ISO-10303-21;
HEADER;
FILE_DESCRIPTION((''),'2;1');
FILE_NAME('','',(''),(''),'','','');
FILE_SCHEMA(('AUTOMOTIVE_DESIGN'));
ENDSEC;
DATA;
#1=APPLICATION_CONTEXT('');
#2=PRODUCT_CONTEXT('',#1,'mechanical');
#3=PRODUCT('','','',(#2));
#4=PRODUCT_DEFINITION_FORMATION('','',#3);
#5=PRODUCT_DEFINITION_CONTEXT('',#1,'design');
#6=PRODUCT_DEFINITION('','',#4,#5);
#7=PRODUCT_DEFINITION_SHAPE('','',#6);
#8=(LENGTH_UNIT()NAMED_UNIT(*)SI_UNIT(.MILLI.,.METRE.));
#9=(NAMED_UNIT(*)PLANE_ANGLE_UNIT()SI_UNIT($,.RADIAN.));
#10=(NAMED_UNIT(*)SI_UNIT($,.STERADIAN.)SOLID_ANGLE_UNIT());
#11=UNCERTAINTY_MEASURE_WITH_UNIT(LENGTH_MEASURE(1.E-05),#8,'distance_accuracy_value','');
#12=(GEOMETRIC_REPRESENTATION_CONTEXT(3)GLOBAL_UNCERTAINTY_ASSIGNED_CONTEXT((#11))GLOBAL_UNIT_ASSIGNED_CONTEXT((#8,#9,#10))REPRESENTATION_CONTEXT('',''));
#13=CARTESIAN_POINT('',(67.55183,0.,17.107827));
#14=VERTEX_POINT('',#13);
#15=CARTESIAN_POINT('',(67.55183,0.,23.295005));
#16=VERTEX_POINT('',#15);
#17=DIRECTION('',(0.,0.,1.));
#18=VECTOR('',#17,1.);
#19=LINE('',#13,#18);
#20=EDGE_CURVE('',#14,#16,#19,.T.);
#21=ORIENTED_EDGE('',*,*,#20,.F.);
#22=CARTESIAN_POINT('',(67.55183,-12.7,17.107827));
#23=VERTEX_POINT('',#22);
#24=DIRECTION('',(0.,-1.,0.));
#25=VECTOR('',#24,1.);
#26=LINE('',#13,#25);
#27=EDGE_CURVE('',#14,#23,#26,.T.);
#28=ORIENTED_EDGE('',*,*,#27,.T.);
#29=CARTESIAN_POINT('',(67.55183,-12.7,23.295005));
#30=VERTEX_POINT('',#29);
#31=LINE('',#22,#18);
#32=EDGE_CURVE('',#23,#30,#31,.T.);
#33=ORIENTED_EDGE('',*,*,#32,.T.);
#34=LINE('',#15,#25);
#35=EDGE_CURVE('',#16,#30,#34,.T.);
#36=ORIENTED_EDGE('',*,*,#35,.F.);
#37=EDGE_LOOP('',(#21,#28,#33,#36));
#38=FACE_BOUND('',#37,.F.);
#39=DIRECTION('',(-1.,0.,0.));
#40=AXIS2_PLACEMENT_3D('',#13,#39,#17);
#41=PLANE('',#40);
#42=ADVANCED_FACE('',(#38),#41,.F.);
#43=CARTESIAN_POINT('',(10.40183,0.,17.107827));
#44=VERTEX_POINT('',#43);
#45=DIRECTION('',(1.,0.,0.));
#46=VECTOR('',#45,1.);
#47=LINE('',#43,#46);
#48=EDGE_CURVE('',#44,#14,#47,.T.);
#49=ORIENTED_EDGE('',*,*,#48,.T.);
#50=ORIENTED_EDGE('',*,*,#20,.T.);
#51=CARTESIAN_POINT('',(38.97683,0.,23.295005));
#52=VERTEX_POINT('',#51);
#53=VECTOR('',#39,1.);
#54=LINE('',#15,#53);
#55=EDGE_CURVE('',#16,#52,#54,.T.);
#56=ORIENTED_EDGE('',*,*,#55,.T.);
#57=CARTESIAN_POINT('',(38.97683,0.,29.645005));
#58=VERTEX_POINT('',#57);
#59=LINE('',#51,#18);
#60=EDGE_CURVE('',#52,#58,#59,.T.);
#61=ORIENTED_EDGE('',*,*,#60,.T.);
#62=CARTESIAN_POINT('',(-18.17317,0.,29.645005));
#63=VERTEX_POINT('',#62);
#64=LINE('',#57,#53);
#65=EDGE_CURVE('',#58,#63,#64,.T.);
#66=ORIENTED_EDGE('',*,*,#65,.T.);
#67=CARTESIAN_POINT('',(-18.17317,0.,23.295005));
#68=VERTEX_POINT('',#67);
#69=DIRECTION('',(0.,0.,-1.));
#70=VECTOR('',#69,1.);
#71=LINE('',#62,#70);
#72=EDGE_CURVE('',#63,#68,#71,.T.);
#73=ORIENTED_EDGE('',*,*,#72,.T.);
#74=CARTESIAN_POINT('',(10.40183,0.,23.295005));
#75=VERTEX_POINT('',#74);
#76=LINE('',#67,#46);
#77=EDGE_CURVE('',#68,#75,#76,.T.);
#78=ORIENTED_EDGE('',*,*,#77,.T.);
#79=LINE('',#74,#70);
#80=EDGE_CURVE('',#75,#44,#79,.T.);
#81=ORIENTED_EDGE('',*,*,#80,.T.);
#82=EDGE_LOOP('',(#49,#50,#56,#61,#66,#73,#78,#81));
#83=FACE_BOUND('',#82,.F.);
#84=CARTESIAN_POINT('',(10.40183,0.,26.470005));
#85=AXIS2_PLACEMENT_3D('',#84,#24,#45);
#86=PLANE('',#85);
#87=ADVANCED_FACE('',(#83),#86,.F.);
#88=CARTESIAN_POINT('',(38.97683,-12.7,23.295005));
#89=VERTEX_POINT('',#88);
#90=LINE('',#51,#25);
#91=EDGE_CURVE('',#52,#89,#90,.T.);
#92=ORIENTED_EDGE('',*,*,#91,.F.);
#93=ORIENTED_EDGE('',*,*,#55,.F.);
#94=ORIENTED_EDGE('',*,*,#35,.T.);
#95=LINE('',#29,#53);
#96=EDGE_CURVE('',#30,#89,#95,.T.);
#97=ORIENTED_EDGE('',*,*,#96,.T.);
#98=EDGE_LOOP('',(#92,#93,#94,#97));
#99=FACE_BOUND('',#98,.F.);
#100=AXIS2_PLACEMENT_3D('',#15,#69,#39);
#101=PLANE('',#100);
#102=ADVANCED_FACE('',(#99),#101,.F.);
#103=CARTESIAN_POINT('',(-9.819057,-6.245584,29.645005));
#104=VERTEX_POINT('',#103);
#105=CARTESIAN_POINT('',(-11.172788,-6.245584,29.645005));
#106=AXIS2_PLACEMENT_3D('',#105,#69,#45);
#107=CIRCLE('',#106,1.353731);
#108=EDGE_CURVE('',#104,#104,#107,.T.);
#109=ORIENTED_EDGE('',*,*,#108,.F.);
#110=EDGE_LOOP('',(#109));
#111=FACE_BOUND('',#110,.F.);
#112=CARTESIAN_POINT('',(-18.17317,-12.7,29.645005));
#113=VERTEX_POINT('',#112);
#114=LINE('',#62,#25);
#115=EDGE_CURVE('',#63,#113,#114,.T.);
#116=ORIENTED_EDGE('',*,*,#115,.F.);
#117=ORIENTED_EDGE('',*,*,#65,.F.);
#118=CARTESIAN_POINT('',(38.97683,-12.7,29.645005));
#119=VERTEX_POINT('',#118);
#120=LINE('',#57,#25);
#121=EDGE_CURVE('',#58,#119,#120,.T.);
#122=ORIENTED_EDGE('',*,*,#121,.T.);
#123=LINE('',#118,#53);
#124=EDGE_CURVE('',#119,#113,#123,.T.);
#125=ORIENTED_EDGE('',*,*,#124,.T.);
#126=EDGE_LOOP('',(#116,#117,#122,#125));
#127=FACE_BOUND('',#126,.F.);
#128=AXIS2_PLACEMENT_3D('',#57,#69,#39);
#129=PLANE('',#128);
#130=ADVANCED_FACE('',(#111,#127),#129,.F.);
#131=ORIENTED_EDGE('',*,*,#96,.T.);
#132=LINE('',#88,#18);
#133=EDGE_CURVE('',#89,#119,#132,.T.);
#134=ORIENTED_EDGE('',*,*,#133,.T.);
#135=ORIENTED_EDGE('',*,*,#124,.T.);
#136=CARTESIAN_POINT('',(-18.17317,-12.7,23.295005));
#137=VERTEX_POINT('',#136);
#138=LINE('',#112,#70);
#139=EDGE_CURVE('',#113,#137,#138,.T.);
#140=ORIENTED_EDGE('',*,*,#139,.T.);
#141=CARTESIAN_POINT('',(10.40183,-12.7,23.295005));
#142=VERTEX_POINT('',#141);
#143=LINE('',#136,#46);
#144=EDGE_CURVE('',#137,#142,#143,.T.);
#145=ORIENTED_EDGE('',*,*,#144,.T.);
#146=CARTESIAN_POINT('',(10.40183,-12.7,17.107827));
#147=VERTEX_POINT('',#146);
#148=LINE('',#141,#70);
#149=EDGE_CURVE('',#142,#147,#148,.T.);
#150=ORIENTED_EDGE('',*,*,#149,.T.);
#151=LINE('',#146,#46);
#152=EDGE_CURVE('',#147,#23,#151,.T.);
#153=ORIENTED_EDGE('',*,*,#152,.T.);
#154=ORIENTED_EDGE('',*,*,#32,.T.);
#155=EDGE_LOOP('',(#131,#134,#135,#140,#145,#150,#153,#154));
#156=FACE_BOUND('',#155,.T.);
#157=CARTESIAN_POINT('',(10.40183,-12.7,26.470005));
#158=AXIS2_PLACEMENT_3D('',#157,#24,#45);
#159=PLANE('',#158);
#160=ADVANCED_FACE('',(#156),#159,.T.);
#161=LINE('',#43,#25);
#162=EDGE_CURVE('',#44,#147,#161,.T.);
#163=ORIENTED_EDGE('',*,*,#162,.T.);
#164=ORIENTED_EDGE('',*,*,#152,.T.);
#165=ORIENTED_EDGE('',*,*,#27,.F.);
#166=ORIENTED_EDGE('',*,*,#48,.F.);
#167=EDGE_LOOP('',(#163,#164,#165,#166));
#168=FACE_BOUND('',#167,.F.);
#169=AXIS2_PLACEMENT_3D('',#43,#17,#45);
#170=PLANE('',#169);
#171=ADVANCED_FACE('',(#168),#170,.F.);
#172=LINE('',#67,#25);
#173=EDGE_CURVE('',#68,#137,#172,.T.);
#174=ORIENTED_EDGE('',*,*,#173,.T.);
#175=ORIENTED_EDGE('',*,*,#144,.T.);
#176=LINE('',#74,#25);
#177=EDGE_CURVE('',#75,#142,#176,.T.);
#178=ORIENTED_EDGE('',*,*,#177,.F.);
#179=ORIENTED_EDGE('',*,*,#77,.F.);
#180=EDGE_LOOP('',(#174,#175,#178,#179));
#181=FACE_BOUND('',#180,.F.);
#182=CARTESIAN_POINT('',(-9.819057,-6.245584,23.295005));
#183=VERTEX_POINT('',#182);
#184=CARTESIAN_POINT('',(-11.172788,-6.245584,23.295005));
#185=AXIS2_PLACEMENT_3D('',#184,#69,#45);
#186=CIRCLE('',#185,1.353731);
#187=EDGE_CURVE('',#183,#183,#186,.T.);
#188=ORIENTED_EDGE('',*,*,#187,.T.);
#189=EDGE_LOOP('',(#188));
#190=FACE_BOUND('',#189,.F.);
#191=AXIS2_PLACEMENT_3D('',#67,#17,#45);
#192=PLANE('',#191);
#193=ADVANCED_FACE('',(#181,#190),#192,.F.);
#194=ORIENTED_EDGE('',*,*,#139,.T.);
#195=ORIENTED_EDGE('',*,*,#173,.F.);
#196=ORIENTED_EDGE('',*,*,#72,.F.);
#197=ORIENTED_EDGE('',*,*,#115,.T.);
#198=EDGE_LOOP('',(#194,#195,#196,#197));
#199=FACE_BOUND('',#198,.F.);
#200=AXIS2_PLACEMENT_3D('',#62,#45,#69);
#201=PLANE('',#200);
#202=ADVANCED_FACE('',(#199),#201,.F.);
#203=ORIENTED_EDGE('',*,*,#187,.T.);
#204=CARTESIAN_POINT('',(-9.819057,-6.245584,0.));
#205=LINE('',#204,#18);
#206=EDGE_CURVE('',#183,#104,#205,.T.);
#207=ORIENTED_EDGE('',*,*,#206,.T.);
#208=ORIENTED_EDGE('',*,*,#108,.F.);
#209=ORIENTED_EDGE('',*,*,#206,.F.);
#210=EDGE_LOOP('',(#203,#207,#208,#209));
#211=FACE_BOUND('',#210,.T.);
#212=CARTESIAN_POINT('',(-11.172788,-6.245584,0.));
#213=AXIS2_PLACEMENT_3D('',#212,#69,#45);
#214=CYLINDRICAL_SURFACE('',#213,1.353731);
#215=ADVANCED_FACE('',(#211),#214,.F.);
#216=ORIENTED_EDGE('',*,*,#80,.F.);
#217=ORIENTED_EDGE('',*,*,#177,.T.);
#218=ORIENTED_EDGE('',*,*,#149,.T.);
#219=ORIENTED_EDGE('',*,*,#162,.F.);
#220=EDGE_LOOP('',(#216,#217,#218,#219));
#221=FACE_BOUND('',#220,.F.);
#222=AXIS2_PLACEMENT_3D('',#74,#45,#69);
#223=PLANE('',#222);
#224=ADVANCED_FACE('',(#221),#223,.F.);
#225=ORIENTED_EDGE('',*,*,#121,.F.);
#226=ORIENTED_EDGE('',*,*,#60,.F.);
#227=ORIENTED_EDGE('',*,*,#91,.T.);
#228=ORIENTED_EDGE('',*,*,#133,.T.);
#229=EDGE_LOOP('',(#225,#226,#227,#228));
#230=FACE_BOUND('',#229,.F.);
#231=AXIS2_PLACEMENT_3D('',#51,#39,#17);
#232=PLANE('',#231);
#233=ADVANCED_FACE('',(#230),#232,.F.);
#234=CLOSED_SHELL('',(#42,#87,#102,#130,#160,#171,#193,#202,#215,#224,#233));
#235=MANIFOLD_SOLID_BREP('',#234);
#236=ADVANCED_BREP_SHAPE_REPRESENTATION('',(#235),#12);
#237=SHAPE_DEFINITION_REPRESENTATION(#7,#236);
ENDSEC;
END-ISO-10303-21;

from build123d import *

# Parameters (mm, degrees)
F1_DEPTH = 12.7
F2_R     = 1.353731
F3_DEPTH = 50.8


with BuildPart() as f1:
    # F0 (on Front) → F1 (new body)
    with BuildSketch(Plane.XZ):
        Polygon((38.97683, 29.645005), (-18.17317, 29.645005), (-18.17317, 23.295005), (10.40183, 23.295005), (38.97683, 23.295005), align=None)
        Polygon((67.55183, 23.295005), (38.97683, 23.295005), (10.40183, 23.295005), (10.40183, 17.107827), (67.55183, 17.107827), align=None)
    extrude(amount=F1_DEPTH)

    # F2 (on Top) → F3 (cut)
    with BuildSketch(Plane.XY):
        with Locations((-11.172788, -6.245584)):
            Circle(F2_R)
    extrude(amount=F3_DEPTH, mode=Mode.SUBTRACT)


solid = f1.part
